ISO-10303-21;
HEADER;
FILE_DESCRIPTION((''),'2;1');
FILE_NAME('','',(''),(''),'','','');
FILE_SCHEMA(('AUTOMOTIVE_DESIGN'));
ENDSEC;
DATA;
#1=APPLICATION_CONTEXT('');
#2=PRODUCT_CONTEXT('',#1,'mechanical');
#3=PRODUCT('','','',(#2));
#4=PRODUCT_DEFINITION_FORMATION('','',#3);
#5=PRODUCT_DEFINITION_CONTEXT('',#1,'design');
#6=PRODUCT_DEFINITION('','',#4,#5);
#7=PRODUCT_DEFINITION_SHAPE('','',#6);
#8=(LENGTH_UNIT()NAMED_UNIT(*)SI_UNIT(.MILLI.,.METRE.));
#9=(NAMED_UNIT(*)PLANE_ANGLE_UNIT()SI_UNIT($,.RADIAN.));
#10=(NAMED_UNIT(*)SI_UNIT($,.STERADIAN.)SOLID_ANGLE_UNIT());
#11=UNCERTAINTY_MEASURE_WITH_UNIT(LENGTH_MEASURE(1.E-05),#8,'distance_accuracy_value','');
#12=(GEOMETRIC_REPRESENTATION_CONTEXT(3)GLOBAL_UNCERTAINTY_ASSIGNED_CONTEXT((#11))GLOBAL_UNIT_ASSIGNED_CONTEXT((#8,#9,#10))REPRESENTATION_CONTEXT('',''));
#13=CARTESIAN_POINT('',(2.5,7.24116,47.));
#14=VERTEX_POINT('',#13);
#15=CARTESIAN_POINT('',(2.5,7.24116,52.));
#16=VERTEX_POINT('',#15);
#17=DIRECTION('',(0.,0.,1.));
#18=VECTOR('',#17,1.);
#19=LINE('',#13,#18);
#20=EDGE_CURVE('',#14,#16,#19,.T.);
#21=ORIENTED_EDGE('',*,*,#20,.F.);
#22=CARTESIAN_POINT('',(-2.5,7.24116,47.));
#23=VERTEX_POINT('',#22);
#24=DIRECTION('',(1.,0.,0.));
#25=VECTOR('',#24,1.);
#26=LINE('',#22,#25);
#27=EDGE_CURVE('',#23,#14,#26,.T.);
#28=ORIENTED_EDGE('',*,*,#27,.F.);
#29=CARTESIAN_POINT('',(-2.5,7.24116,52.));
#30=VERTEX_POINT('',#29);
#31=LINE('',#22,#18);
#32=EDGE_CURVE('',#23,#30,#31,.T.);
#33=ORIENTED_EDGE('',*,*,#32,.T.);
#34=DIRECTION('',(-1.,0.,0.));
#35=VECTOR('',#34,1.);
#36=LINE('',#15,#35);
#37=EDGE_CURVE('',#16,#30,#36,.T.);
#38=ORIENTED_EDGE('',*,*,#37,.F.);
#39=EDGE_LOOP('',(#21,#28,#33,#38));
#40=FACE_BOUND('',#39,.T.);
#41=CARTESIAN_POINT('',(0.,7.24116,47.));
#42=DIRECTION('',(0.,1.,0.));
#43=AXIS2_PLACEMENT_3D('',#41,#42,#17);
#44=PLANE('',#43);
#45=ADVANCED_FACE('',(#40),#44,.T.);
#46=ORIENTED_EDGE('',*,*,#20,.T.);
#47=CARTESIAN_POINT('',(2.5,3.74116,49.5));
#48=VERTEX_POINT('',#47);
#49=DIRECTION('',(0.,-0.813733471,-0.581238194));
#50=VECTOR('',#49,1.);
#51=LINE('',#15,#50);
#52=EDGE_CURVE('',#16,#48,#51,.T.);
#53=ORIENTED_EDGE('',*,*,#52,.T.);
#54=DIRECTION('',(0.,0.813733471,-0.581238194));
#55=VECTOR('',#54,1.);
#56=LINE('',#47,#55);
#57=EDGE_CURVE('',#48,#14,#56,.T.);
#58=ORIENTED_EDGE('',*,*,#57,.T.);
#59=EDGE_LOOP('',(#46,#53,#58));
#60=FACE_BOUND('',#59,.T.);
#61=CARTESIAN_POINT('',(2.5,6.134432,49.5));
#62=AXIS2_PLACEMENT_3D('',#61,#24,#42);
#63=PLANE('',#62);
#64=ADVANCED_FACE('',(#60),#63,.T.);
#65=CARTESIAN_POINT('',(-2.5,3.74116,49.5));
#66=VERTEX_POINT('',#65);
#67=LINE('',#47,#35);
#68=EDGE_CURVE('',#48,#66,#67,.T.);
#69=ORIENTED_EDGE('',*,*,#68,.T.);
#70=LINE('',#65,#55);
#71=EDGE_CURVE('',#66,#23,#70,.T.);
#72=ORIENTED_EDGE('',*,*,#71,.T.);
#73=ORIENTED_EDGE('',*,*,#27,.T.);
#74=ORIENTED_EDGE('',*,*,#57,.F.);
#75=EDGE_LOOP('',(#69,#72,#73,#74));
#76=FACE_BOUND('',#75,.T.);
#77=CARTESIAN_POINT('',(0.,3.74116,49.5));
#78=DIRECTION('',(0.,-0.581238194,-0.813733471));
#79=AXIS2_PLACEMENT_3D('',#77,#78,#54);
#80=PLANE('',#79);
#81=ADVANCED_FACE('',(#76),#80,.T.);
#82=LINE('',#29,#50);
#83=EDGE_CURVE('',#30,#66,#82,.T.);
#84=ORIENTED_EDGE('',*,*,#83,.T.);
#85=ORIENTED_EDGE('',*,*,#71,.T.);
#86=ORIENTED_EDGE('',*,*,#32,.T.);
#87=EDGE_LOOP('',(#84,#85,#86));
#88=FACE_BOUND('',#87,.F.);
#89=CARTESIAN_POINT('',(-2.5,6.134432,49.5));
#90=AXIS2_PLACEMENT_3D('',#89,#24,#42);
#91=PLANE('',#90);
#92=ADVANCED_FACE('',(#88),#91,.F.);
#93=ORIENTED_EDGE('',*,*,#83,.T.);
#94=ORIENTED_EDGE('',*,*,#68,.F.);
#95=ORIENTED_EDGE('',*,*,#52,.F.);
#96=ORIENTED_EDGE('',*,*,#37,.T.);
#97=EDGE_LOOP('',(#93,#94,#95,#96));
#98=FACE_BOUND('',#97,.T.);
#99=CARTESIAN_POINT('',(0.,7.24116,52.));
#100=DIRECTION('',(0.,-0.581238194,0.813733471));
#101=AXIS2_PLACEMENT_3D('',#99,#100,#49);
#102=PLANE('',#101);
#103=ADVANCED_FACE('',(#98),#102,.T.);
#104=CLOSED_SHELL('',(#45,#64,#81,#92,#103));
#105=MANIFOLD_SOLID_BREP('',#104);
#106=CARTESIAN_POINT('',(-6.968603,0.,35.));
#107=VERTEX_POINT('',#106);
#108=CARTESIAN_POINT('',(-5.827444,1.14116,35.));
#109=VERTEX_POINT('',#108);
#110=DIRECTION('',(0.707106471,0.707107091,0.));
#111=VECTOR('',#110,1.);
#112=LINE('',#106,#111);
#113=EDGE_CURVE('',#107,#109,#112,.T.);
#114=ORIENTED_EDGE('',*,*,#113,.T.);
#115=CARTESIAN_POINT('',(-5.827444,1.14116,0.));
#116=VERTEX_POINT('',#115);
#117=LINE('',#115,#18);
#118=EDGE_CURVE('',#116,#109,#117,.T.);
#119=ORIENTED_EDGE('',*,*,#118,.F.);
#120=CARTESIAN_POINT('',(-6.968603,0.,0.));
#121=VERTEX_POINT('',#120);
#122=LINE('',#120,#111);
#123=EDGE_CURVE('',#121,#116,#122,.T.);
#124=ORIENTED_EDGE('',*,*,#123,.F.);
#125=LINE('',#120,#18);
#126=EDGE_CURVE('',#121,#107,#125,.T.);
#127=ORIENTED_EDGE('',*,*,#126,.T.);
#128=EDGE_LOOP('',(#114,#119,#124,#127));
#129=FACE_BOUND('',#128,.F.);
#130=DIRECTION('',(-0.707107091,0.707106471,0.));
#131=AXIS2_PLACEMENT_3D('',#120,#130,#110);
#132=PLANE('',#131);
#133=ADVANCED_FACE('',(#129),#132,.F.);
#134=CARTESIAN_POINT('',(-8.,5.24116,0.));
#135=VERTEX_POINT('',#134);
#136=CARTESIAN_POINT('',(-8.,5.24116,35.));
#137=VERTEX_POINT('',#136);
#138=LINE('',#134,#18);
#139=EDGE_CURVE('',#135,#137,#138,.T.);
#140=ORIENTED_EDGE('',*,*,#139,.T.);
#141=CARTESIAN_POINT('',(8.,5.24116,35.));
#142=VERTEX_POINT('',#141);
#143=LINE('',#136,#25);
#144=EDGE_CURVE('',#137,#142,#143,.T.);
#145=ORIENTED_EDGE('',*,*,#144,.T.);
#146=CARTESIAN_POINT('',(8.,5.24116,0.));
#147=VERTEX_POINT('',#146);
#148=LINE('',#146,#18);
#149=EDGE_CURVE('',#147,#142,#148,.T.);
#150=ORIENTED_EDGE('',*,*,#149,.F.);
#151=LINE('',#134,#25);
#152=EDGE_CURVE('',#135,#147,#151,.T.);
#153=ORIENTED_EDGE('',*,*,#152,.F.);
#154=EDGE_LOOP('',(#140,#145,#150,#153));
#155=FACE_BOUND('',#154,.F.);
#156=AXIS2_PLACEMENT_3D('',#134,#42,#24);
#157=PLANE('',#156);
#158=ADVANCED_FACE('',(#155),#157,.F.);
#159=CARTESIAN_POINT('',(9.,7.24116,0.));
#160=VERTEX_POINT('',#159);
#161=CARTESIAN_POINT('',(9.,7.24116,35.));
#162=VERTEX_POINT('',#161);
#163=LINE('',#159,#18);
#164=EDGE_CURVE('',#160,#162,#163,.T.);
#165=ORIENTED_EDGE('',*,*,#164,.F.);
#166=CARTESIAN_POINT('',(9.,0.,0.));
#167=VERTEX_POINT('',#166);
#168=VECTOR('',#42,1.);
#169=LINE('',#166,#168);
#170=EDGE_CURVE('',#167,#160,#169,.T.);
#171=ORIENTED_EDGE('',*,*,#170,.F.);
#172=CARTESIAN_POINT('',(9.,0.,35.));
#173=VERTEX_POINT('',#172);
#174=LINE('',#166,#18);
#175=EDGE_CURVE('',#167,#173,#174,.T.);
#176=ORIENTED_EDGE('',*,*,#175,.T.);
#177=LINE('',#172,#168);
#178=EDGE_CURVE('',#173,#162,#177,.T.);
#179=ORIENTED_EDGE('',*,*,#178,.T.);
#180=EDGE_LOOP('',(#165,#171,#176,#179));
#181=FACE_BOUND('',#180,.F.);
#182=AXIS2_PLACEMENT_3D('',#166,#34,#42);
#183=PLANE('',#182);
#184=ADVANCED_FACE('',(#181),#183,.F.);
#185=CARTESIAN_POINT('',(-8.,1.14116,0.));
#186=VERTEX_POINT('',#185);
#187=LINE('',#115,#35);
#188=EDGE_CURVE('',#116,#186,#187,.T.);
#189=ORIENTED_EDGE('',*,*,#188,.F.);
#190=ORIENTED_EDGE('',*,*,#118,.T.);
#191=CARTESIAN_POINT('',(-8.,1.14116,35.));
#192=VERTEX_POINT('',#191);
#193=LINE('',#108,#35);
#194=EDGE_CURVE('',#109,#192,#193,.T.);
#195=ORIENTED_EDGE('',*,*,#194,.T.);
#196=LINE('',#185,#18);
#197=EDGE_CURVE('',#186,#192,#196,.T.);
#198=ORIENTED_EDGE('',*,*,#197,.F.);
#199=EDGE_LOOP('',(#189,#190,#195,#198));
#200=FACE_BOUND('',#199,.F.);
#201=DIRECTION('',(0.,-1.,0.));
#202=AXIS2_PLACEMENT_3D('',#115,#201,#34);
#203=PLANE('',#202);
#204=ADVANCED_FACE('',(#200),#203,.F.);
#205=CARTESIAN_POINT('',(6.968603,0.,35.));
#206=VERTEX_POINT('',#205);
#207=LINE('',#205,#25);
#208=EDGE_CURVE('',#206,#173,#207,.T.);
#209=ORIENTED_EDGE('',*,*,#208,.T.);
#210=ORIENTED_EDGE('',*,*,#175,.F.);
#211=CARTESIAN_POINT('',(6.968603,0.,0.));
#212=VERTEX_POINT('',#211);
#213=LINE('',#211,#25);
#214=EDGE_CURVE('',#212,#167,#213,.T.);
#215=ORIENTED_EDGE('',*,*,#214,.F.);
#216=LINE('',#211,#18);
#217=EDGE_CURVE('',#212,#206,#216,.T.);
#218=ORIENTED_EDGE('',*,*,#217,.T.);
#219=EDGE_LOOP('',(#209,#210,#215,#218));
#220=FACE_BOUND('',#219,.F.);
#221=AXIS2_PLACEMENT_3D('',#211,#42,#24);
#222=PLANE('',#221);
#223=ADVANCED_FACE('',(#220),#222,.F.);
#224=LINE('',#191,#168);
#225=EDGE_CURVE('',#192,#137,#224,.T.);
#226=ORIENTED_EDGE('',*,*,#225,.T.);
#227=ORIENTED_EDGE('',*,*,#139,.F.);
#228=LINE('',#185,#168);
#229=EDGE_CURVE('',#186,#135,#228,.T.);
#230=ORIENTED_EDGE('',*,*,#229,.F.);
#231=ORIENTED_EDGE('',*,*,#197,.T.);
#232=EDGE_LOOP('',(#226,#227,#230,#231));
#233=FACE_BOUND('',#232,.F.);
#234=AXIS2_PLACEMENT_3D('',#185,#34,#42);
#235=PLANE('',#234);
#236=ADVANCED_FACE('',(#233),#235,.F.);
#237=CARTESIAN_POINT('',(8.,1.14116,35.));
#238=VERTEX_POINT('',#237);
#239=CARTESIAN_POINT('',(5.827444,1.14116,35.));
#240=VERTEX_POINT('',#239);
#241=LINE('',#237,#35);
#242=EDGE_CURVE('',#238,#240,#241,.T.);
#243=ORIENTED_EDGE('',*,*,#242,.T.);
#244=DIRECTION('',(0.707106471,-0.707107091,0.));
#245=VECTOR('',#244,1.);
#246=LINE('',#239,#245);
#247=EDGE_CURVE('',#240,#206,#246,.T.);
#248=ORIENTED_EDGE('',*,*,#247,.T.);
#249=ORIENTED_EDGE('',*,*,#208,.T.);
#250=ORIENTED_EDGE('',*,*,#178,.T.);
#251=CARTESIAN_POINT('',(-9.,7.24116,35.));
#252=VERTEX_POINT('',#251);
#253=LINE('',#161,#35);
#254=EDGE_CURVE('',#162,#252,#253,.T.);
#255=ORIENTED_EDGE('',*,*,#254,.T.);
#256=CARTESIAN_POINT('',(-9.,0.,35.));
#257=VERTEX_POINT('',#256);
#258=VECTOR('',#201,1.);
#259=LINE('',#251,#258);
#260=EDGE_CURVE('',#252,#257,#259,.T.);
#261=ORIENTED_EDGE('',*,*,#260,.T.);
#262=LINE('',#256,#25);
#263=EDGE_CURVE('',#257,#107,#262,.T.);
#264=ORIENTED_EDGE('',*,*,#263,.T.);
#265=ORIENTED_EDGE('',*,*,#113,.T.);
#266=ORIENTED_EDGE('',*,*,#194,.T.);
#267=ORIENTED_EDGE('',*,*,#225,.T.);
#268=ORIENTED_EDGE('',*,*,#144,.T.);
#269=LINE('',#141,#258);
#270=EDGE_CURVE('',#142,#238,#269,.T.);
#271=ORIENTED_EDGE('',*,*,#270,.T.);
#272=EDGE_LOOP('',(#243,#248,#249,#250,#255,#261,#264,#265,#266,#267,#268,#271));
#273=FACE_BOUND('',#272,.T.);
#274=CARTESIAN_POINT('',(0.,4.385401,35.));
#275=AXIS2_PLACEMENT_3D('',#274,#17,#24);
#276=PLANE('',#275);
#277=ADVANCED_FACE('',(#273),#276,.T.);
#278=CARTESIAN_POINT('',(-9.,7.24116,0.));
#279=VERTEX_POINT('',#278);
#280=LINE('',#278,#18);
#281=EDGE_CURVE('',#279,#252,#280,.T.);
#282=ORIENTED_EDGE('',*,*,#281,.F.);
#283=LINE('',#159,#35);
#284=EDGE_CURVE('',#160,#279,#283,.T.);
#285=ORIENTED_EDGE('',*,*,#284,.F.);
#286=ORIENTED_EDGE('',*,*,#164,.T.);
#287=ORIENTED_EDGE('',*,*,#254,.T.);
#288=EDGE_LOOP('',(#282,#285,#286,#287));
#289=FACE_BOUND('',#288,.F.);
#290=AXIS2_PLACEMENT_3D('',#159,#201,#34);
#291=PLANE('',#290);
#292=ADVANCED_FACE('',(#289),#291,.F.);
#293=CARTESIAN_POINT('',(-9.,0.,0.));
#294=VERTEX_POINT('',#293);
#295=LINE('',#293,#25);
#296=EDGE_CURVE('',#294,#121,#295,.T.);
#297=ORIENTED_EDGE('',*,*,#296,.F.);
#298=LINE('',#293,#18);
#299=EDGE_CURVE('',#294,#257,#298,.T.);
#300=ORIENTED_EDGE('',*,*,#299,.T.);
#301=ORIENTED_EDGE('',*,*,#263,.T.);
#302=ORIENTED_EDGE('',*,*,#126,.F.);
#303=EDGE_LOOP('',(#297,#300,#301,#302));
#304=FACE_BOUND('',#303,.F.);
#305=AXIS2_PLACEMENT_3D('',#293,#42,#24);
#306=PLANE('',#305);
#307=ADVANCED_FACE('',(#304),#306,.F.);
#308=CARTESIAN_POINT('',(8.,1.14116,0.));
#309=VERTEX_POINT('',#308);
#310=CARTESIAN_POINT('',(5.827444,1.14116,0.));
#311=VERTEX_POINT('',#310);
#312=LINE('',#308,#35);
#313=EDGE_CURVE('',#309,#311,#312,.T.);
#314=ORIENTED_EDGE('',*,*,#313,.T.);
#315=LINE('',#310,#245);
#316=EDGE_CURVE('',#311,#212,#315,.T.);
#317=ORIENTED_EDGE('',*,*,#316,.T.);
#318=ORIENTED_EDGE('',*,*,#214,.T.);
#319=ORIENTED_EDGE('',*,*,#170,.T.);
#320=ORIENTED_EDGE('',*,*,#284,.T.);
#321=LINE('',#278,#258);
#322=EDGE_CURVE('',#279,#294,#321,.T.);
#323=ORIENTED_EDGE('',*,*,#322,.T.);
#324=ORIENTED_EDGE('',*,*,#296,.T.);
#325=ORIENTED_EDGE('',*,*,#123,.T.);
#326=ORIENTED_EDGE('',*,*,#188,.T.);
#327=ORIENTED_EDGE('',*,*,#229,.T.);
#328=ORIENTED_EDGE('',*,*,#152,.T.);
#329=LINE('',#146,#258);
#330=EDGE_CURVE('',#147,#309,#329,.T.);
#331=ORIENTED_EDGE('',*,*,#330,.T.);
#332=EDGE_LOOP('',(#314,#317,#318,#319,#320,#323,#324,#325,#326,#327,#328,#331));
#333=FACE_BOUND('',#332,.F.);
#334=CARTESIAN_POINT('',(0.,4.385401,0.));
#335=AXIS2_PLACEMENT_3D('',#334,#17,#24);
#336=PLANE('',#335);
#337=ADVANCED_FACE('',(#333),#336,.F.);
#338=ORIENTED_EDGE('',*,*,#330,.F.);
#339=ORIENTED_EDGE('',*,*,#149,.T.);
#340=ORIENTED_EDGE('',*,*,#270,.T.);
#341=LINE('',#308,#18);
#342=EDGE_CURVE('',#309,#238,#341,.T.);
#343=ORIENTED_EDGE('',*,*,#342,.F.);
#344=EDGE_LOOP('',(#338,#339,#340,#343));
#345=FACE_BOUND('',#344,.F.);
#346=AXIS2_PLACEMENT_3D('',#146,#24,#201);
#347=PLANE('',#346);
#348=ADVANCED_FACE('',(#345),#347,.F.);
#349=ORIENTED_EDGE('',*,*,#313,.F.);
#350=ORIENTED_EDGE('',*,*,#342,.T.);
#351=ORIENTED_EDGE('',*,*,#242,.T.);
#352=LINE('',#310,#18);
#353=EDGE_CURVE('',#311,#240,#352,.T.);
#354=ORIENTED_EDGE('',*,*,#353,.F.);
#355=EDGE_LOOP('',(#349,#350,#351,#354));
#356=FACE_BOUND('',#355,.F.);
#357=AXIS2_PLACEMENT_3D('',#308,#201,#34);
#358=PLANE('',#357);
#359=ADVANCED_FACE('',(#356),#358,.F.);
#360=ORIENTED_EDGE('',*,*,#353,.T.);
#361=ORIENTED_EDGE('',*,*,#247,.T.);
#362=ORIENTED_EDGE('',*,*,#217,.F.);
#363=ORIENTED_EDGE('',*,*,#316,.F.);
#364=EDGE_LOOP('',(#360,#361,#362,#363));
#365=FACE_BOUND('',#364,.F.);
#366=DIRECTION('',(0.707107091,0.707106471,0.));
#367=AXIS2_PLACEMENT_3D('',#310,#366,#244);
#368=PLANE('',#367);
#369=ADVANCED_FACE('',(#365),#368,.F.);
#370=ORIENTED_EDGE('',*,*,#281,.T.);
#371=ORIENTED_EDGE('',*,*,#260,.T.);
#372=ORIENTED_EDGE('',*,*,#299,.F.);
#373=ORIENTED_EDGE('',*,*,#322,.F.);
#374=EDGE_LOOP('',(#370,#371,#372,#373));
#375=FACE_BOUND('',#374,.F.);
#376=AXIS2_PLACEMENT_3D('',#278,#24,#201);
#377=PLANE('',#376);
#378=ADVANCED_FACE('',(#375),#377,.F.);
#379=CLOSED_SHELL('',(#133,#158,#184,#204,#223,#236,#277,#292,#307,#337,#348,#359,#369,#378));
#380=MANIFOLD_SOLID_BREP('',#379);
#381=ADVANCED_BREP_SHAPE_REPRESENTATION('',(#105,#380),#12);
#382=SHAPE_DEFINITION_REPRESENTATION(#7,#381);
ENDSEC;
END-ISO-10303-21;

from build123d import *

# Parameters (mm, degrees)
F1_DEPTH      = 35
F3_DEPTH      = 2.5
F3_DEPTH_BACK = 2.5


with BuildPart() as f1:
    # F0 (on Top) → F1 (new body)
    with BuildSketch(Plane.XY):
        Polygon((0, 7.24116), (-9, 7.24116), (-9, 0), (-6.968603, 0), (-5.827444, 1.14116), (-8, 1.14116), (-8, 5.24116), (-0.176315, 5.24116), (0, 5.24116), (0.176315, 5.24116), (8, 5.24116), (8, 1.14116), (5.827444, 1.14116), (6.968603, 0), (9, 0), (9, 7.24116), align=None)
    extrude(amount=F1_DEPTH)


with BuildPart() as f3:
    # F2 (on Right) → F3 (new body, two sides)
    with BuildSketch(Plane.YZ) as f3_sk:
        Polygon((3.74116, 49.5), (7.24116, 47), (7.24116, 52), align=None)
    extrude(amount=F3_DEPTH)
    extrude(f3_sk.sketch, amount=-F3_DEPTH_BACK)


solid = Compound([f1.part, f3.part])
